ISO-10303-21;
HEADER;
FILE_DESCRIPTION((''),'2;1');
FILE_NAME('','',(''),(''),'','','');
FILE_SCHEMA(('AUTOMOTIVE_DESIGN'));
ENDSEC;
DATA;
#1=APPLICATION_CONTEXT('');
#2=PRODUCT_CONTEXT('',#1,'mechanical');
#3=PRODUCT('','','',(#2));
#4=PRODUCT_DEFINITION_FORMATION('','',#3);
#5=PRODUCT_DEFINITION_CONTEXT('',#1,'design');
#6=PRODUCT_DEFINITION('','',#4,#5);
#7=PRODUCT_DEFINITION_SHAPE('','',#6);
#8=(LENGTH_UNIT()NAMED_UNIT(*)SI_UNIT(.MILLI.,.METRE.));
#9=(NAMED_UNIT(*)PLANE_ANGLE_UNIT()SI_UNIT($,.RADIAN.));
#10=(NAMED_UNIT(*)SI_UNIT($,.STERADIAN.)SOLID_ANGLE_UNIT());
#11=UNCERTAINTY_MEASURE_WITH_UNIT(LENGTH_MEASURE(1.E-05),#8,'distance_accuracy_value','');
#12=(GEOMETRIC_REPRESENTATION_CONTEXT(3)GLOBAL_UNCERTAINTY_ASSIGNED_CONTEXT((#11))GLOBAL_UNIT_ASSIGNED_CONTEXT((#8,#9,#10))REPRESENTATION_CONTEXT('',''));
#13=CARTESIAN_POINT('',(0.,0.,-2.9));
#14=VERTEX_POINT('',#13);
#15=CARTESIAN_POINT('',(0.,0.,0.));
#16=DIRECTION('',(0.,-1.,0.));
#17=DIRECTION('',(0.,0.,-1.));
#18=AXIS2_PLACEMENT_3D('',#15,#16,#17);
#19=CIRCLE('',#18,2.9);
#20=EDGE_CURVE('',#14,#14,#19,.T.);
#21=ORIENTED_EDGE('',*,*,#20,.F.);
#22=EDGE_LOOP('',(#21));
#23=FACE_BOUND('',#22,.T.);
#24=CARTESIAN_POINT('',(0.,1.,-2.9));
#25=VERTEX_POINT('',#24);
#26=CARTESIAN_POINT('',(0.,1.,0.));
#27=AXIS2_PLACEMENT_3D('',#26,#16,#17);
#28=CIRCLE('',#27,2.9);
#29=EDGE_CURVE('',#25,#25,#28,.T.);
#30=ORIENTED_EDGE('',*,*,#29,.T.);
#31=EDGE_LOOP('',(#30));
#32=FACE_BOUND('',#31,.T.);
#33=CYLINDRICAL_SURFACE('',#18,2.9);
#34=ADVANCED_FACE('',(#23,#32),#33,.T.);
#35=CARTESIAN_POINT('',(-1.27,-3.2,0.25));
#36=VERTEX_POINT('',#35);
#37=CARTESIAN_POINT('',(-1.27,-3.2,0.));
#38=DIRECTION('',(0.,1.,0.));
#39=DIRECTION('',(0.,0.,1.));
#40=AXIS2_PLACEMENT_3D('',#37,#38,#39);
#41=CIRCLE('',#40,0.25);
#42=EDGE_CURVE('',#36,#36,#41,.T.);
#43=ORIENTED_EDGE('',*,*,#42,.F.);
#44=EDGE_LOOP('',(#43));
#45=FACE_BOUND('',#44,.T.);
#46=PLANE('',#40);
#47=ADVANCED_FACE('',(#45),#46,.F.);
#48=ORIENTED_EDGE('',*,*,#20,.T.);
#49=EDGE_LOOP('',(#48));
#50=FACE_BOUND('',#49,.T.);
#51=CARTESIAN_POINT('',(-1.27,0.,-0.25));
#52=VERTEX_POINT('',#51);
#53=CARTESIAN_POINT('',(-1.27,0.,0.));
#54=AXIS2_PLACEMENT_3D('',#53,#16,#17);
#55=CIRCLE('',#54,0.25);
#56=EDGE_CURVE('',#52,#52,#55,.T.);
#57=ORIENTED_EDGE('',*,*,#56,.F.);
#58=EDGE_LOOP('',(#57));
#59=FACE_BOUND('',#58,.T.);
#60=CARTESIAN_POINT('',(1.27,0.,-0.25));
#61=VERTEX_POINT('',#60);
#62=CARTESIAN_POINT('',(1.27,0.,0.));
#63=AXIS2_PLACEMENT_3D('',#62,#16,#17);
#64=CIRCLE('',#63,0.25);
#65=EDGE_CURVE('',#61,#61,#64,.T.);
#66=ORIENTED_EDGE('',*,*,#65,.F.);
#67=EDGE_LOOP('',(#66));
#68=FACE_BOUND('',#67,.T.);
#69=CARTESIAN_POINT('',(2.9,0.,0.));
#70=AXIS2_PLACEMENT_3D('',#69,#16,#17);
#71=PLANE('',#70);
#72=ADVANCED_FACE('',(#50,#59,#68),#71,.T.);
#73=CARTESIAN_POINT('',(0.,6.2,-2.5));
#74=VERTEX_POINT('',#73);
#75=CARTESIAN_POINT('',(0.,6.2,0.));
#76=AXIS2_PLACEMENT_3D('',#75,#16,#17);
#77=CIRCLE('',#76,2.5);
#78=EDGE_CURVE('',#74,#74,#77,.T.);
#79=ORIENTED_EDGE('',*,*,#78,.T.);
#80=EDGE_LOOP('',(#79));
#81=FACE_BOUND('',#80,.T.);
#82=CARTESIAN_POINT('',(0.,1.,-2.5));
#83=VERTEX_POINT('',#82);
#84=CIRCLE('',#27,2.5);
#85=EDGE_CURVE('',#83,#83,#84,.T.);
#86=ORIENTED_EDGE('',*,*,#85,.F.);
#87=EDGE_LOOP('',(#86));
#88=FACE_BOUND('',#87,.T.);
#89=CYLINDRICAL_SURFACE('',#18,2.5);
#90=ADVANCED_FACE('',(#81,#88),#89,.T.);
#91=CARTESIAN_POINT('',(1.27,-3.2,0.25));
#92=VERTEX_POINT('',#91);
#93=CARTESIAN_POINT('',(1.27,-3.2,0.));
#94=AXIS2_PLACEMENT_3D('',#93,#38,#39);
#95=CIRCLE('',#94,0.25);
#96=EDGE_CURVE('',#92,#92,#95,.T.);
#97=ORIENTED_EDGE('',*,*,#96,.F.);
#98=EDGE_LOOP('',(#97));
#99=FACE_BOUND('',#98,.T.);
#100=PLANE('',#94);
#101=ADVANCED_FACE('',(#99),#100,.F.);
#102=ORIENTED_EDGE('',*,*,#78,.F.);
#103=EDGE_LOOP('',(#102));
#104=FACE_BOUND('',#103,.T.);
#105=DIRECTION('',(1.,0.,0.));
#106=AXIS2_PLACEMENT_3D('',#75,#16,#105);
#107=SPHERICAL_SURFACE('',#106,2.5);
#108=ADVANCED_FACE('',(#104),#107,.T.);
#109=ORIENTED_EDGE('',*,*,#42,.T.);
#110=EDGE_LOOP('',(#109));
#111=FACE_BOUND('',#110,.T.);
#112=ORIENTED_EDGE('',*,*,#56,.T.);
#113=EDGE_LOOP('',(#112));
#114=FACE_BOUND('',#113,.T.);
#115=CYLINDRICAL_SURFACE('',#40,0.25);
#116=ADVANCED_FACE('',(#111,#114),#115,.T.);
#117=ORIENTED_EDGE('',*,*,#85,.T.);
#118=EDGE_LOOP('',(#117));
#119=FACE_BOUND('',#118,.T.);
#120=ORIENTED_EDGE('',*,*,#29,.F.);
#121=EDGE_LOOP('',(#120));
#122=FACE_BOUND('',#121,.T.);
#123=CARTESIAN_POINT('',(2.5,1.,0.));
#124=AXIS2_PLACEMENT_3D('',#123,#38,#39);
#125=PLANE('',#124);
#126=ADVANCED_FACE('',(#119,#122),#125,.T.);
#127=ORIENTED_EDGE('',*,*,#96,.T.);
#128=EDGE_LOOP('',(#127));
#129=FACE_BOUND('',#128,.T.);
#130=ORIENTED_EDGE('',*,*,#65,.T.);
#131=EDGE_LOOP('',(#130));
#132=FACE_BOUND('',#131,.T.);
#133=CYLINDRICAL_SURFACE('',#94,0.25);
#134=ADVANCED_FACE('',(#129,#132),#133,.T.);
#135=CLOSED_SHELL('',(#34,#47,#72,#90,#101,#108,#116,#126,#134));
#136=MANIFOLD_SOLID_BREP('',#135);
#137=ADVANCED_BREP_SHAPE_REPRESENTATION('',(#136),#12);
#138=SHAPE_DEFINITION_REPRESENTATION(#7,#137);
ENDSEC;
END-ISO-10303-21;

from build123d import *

# Parameters (mm, degrees)
SKETCH3_R           = 0.25
BOSS_EXTRUDE2_DEPTH = 3.2


with BuildPart() as part:
    # Sketch2 → Revolve1 (revolve)
    with BuildSketch(Plane.XY):
        with BuildLine():
            Line((2.5, 6.2), (2.5, 1))
            Line((2.5, 1), (2.9, 1))
            Line((2.9, 1), (2.9, 0))
            Line((2.9, 0), (0, 0))
            Line((0, 0), (0, 8.7))
            ThreePointArc((0, 8.7), (1.767766953, 7.967766953), (2.5, 6.2))
        make_face()
    revolve(axis=Axis((0, 0, 0), (0, 1, 0)))

    # Sketch3 → Boss-Extrude2 (add)
    with BuildSketch(Plane(origin=(0, 0, 0), x_dir=(1, 0, 0), z_dir=(0, 1, 0))):
        with Locations((-1.27, 0)):
            Circle(SKETCH3_R)
        with Locations((1.27, 0)):
            Circle(SKETCH3_R)
    extrude(amount=-BOSS_EXTRUDE2_DEPTH)


solid = part.part
